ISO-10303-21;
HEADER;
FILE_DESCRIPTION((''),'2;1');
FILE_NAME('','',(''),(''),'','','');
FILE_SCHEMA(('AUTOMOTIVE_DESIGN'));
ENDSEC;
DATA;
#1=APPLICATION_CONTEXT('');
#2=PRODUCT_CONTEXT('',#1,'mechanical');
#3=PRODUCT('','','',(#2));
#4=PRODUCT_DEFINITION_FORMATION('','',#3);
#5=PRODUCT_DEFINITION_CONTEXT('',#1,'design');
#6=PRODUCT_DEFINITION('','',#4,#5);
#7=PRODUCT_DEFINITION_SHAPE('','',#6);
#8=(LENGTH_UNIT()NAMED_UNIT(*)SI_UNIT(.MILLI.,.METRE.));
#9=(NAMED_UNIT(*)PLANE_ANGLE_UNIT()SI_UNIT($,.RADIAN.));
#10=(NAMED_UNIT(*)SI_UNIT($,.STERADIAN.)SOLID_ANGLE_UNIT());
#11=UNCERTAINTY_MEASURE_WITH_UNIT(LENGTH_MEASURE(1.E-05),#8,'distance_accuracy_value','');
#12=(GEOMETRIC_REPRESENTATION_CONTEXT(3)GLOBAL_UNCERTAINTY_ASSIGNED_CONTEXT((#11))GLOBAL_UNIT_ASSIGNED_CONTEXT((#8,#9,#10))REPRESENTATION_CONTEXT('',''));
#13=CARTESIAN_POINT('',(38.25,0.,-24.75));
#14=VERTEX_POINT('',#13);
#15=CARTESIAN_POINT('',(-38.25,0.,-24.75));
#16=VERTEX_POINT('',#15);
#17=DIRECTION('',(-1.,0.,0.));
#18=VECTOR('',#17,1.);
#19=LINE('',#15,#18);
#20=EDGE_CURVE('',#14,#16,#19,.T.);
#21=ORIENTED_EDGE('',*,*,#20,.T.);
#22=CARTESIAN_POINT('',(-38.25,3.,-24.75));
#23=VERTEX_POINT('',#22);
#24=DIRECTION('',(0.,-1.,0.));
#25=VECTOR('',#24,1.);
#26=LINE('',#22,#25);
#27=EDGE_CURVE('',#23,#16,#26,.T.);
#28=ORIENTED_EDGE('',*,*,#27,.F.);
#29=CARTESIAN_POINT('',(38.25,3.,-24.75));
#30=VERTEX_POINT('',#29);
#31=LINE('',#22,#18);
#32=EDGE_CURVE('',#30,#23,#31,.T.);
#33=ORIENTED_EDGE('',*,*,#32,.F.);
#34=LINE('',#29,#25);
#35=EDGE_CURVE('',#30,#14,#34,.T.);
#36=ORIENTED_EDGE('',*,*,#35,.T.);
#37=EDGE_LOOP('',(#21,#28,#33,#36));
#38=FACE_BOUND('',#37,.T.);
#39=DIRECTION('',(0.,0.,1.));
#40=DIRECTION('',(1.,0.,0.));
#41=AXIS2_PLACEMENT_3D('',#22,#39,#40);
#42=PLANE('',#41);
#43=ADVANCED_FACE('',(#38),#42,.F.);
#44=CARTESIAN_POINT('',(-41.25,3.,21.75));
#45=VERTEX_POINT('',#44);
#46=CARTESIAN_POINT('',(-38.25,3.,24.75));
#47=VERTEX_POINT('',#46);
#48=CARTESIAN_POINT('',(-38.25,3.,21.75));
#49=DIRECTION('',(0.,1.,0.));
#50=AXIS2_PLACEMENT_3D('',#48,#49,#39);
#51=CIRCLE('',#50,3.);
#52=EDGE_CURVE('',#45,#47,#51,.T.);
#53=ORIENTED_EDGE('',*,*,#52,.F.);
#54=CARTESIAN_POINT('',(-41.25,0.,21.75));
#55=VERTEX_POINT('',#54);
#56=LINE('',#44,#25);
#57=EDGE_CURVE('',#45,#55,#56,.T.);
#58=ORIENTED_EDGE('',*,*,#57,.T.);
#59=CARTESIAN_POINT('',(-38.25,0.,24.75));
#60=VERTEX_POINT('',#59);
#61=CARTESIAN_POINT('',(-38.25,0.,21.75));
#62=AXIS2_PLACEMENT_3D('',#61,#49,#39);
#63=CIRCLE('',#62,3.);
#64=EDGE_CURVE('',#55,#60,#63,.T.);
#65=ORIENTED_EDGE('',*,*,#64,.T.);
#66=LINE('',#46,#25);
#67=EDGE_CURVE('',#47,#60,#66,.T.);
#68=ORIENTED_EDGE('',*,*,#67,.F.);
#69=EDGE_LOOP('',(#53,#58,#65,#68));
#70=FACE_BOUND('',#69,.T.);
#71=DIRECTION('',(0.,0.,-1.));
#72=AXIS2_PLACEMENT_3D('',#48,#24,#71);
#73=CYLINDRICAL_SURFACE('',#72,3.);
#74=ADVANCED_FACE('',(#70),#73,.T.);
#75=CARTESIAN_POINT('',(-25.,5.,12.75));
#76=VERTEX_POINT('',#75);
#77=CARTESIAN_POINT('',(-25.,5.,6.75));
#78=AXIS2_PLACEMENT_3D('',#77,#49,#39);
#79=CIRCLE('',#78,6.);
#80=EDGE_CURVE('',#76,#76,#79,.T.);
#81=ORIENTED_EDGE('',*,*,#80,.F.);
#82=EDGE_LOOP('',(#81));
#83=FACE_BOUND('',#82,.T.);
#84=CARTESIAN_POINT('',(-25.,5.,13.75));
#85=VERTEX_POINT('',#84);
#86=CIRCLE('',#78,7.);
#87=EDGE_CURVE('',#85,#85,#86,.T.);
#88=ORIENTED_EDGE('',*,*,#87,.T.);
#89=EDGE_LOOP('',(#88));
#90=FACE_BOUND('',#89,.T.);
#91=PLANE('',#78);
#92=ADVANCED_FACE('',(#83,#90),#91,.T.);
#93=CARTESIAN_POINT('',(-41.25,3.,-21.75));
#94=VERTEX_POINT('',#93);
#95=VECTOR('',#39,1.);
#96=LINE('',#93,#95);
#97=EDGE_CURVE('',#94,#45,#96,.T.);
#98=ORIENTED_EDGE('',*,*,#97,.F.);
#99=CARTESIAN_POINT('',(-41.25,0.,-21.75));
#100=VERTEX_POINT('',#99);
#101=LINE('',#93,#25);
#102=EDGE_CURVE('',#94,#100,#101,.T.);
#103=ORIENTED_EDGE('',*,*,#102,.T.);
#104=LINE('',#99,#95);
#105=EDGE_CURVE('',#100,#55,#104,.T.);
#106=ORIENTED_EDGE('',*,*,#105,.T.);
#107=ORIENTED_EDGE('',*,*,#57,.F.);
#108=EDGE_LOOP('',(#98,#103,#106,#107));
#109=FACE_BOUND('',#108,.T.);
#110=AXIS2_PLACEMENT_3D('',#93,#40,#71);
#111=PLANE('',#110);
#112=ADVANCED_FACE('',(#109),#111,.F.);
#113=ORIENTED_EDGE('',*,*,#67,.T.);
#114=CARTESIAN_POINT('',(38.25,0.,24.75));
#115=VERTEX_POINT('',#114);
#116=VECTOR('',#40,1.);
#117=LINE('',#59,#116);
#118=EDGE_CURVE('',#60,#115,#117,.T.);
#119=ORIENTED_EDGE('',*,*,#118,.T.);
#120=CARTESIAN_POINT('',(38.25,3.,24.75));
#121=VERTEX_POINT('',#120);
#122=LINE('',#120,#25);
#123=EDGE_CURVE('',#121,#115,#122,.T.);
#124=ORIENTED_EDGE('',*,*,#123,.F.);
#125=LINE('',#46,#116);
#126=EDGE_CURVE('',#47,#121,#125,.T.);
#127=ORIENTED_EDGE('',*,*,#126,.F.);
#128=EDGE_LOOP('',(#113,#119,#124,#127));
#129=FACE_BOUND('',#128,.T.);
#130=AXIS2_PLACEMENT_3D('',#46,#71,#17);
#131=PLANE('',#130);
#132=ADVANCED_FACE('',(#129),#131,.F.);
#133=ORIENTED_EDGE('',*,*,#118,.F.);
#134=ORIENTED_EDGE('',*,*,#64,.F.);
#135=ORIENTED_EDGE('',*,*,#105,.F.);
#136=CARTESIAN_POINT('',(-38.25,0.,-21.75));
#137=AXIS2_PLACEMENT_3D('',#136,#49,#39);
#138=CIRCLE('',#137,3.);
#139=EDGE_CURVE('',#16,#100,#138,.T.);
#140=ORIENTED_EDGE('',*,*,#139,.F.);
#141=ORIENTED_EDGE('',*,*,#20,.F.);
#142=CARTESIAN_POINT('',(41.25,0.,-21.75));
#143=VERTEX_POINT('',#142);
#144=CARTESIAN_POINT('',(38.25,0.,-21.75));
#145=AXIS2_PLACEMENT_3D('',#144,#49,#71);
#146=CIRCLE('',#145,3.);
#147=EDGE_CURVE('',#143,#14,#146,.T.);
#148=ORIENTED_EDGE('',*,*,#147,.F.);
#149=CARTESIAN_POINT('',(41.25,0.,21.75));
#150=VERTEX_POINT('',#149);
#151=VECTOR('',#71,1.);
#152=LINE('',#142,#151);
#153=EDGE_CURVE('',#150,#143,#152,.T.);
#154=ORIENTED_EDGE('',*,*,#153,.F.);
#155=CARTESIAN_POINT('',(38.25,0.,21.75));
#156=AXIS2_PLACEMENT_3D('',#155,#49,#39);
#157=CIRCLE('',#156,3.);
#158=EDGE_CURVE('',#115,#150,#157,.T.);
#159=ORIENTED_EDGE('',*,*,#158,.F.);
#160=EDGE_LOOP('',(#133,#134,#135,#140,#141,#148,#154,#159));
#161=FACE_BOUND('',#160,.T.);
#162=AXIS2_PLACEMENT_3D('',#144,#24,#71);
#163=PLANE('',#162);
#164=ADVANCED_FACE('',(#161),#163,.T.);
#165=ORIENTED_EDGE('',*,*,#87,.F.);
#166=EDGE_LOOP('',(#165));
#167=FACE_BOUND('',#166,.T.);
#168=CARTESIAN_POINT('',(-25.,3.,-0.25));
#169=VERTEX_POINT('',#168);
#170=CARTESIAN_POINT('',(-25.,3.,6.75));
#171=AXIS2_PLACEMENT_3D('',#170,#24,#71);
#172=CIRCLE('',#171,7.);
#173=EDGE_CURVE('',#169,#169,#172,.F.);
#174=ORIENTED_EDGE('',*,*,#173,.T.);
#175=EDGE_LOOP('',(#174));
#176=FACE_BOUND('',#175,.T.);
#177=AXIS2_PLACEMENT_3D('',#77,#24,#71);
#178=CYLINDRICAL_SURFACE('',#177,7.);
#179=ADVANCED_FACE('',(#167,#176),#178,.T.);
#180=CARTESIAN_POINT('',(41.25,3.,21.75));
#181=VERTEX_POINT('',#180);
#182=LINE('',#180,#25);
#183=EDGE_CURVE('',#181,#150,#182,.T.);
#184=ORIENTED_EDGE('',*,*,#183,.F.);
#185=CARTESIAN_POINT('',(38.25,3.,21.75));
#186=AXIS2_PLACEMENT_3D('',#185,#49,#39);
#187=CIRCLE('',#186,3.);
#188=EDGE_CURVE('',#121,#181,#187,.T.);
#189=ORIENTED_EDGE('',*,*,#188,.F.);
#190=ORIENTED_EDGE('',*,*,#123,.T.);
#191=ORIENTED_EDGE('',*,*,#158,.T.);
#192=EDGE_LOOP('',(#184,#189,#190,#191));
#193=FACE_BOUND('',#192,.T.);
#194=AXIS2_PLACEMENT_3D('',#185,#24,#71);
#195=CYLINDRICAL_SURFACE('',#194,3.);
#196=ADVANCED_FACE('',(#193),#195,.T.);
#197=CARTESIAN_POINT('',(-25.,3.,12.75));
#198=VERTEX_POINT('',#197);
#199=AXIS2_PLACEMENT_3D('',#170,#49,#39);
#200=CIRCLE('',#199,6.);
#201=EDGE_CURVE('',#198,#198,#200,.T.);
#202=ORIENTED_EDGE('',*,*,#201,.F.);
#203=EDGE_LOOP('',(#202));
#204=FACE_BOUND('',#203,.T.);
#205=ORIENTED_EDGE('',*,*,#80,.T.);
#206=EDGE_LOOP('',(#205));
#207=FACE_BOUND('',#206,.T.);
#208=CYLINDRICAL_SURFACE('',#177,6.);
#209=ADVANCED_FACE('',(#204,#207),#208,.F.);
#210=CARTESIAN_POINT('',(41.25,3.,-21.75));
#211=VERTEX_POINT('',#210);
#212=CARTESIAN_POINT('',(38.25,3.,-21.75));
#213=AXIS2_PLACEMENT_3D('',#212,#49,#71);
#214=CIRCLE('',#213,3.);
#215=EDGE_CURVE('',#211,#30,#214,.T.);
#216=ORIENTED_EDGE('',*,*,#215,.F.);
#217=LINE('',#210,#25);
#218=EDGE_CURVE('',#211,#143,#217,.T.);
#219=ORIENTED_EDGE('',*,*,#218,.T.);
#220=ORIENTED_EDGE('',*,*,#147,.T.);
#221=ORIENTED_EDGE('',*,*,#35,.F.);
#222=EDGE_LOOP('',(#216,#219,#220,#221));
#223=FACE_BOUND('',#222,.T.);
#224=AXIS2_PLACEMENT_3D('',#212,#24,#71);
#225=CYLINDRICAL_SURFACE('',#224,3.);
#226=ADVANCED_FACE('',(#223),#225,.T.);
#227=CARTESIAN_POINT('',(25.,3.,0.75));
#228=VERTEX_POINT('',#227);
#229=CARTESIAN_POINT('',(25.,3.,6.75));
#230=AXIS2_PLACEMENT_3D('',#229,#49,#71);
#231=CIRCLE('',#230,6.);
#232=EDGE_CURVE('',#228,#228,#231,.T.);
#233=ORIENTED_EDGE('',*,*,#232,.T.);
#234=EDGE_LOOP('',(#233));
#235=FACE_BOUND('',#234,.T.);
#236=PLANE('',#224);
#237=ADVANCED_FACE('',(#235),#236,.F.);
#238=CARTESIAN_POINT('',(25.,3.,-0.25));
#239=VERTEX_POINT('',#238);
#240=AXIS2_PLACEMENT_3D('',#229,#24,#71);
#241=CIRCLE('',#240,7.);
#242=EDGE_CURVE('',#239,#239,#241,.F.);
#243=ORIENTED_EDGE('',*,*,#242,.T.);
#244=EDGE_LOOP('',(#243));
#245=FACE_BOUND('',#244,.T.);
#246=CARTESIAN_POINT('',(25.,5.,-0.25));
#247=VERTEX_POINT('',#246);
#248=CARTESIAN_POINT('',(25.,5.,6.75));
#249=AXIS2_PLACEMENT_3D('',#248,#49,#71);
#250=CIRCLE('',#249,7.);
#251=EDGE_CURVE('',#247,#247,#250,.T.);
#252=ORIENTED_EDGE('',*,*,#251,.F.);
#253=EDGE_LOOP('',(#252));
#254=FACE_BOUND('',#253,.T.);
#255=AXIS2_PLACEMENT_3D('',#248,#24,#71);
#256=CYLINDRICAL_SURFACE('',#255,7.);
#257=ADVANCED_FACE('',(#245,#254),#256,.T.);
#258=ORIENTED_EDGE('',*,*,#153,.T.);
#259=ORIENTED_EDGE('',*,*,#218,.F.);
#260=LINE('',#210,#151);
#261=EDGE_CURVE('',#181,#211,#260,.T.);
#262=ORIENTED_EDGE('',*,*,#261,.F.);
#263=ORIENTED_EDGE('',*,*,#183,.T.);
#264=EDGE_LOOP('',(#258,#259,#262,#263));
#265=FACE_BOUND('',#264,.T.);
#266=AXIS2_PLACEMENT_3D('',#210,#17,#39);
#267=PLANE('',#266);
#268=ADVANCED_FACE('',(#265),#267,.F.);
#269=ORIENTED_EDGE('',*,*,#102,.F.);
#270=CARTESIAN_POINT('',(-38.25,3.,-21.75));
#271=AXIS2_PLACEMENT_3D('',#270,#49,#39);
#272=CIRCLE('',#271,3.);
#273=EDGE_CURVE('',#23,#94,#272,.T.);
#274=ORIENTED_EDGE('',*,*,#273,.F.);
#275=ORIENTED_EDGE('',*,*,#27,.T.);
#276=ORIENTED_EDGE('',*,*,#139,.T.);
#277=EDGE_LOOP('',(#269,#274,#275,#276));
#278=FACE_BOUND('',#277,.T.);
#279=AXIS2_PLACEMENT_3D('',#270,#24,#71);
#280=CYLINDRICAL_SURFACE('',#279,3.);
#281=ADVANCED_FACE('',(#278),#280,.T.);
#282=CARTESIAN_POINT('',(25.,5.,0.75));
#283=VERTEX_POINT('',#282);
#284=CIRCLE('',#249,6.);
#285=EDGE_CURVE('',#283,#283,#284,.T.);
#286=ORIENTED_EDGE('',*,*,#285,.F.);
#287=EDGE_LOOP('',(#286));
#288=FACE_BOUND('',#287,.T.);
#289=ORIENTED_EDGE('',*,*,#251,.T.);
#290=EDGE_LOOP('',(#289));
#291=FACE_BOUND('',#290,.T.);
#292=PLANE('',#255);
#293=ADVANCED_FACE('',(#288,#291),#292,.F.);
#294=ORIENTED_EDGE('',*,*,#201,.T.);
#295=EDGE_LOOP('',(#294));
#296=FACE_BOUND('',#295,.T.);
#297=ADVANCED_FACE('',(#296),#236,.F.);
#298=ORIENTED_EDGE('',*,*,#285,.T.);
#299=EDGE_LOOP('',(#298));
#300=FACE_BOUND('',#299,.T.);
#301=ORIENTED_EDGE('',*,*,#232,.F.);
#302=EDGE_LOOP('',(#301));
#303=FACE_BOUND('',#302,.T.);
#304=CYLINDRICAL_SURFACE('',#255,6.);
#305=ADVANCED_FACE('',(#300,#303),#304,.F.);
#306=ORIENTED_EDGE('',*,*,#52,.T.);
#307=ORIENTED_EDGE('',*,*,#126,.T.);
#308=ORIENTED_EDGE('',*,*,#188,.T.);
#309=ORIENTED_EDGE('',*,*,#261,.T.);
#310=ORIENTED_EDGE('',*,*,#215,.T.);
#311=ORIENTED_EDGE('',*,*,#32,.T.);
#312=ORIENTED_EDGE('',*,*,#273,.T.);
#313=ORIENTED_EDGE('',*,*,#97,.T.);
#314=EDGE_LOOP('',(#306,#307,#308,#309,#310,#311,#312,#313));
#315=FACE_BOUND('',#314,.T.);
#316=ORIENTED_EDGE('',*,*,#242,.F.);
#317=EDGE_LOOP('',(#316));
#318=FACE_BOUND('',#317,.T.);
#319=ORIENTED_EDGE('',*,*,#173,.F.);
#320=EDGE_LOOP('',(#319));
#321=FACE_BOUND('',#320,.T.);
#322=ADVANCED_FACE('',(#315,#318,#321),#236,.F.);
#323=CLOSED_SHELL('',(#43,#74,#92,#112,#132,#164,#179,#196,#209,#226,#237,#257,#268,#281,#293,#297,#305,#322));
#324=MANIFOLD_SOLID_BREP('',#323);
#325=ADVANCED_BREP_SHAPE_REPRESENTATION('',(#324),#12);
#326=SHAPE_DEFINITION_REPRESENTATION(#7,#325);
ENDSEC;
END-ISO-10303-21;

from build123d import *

# Parameters (mm, degrees)
BOSS_EXTRUDE1_DEPTH = 3
SKETCH2_R           = 7
SKETCH2_R_2         = 6
BOSS_EXTRUDE2_DEPTH = 2


with BuildPart() as part:
    # Sketch1 → Boss-Extrude1 (new body)
    with BuildSketch(Plane(origin=(0, 0, 0), x_dir=(1, 0, 0), z_dir=(0, 1, 0))):
        with BuildLine():
            Line((-38.25, 24.75), (38.25, 24.75))
            ThreePointArc((38.25, 24.75), (40.371320344, 23.871320344), (41.25, 21.75))
            Line((41.25, 21.75), (41.25, -21.75))
            ThreePointArc((41.25, -21.75), (40.371320344, -23.871320344), (38.25, -24.75))
            Line((38.25, -24.75), (-38.25, -24.75))
            ThreePointArc((-38.25, -24.75), (-40.371320344, -23.871320344), (-41.25, -21.75))
            Line((-41.25, -21.75), (-41.25, 21.75))
            ThreePointArc((-41.25, 21.75), (-40.371320344, 23.871320344), (-38.25, 24.75))
        make_face()
    extrude(amount=BOSS_EXTRUDE1_DEPTH)

    # Sketch2 → Boss-Extrude2 (add)
    # profile 1 of 2: a face of its own
    with BuildSketch(Plane(origin=(0, 3, 0), x_dir=(1, 0, 0), z_dir=(0, 1, 0))):
        with Locations(Location((-25, -6.75, 0), (0, 0, 90))):
            Circle(SKETCH2_R)
        with Locations(Location((-25, -6.75, 0), (0, 0, 270))):
            Circle(SKETCH2_R_2, mode=Mode.SUBTRACT)
    # profile 2 of 2: a face of its own
    with BuildSketch(Plane(origin=(0, 3, 0), x_dir=(1, 0, 0), z_dir=(0, 1, 0))):
        with Locations(Location((25, -6.75, 0), (0, 0, 90))):
            Circle(SKETCH2_R)
        with Locations(Location((25, -6.75, 0), (0, 0, 90))):
            Circle(SKETCH2_R_2, mode=Mode.SUBTRACT)
    extrude(amount=BOSS_EXTRUDE2_DEPTH)


solid = part.part
